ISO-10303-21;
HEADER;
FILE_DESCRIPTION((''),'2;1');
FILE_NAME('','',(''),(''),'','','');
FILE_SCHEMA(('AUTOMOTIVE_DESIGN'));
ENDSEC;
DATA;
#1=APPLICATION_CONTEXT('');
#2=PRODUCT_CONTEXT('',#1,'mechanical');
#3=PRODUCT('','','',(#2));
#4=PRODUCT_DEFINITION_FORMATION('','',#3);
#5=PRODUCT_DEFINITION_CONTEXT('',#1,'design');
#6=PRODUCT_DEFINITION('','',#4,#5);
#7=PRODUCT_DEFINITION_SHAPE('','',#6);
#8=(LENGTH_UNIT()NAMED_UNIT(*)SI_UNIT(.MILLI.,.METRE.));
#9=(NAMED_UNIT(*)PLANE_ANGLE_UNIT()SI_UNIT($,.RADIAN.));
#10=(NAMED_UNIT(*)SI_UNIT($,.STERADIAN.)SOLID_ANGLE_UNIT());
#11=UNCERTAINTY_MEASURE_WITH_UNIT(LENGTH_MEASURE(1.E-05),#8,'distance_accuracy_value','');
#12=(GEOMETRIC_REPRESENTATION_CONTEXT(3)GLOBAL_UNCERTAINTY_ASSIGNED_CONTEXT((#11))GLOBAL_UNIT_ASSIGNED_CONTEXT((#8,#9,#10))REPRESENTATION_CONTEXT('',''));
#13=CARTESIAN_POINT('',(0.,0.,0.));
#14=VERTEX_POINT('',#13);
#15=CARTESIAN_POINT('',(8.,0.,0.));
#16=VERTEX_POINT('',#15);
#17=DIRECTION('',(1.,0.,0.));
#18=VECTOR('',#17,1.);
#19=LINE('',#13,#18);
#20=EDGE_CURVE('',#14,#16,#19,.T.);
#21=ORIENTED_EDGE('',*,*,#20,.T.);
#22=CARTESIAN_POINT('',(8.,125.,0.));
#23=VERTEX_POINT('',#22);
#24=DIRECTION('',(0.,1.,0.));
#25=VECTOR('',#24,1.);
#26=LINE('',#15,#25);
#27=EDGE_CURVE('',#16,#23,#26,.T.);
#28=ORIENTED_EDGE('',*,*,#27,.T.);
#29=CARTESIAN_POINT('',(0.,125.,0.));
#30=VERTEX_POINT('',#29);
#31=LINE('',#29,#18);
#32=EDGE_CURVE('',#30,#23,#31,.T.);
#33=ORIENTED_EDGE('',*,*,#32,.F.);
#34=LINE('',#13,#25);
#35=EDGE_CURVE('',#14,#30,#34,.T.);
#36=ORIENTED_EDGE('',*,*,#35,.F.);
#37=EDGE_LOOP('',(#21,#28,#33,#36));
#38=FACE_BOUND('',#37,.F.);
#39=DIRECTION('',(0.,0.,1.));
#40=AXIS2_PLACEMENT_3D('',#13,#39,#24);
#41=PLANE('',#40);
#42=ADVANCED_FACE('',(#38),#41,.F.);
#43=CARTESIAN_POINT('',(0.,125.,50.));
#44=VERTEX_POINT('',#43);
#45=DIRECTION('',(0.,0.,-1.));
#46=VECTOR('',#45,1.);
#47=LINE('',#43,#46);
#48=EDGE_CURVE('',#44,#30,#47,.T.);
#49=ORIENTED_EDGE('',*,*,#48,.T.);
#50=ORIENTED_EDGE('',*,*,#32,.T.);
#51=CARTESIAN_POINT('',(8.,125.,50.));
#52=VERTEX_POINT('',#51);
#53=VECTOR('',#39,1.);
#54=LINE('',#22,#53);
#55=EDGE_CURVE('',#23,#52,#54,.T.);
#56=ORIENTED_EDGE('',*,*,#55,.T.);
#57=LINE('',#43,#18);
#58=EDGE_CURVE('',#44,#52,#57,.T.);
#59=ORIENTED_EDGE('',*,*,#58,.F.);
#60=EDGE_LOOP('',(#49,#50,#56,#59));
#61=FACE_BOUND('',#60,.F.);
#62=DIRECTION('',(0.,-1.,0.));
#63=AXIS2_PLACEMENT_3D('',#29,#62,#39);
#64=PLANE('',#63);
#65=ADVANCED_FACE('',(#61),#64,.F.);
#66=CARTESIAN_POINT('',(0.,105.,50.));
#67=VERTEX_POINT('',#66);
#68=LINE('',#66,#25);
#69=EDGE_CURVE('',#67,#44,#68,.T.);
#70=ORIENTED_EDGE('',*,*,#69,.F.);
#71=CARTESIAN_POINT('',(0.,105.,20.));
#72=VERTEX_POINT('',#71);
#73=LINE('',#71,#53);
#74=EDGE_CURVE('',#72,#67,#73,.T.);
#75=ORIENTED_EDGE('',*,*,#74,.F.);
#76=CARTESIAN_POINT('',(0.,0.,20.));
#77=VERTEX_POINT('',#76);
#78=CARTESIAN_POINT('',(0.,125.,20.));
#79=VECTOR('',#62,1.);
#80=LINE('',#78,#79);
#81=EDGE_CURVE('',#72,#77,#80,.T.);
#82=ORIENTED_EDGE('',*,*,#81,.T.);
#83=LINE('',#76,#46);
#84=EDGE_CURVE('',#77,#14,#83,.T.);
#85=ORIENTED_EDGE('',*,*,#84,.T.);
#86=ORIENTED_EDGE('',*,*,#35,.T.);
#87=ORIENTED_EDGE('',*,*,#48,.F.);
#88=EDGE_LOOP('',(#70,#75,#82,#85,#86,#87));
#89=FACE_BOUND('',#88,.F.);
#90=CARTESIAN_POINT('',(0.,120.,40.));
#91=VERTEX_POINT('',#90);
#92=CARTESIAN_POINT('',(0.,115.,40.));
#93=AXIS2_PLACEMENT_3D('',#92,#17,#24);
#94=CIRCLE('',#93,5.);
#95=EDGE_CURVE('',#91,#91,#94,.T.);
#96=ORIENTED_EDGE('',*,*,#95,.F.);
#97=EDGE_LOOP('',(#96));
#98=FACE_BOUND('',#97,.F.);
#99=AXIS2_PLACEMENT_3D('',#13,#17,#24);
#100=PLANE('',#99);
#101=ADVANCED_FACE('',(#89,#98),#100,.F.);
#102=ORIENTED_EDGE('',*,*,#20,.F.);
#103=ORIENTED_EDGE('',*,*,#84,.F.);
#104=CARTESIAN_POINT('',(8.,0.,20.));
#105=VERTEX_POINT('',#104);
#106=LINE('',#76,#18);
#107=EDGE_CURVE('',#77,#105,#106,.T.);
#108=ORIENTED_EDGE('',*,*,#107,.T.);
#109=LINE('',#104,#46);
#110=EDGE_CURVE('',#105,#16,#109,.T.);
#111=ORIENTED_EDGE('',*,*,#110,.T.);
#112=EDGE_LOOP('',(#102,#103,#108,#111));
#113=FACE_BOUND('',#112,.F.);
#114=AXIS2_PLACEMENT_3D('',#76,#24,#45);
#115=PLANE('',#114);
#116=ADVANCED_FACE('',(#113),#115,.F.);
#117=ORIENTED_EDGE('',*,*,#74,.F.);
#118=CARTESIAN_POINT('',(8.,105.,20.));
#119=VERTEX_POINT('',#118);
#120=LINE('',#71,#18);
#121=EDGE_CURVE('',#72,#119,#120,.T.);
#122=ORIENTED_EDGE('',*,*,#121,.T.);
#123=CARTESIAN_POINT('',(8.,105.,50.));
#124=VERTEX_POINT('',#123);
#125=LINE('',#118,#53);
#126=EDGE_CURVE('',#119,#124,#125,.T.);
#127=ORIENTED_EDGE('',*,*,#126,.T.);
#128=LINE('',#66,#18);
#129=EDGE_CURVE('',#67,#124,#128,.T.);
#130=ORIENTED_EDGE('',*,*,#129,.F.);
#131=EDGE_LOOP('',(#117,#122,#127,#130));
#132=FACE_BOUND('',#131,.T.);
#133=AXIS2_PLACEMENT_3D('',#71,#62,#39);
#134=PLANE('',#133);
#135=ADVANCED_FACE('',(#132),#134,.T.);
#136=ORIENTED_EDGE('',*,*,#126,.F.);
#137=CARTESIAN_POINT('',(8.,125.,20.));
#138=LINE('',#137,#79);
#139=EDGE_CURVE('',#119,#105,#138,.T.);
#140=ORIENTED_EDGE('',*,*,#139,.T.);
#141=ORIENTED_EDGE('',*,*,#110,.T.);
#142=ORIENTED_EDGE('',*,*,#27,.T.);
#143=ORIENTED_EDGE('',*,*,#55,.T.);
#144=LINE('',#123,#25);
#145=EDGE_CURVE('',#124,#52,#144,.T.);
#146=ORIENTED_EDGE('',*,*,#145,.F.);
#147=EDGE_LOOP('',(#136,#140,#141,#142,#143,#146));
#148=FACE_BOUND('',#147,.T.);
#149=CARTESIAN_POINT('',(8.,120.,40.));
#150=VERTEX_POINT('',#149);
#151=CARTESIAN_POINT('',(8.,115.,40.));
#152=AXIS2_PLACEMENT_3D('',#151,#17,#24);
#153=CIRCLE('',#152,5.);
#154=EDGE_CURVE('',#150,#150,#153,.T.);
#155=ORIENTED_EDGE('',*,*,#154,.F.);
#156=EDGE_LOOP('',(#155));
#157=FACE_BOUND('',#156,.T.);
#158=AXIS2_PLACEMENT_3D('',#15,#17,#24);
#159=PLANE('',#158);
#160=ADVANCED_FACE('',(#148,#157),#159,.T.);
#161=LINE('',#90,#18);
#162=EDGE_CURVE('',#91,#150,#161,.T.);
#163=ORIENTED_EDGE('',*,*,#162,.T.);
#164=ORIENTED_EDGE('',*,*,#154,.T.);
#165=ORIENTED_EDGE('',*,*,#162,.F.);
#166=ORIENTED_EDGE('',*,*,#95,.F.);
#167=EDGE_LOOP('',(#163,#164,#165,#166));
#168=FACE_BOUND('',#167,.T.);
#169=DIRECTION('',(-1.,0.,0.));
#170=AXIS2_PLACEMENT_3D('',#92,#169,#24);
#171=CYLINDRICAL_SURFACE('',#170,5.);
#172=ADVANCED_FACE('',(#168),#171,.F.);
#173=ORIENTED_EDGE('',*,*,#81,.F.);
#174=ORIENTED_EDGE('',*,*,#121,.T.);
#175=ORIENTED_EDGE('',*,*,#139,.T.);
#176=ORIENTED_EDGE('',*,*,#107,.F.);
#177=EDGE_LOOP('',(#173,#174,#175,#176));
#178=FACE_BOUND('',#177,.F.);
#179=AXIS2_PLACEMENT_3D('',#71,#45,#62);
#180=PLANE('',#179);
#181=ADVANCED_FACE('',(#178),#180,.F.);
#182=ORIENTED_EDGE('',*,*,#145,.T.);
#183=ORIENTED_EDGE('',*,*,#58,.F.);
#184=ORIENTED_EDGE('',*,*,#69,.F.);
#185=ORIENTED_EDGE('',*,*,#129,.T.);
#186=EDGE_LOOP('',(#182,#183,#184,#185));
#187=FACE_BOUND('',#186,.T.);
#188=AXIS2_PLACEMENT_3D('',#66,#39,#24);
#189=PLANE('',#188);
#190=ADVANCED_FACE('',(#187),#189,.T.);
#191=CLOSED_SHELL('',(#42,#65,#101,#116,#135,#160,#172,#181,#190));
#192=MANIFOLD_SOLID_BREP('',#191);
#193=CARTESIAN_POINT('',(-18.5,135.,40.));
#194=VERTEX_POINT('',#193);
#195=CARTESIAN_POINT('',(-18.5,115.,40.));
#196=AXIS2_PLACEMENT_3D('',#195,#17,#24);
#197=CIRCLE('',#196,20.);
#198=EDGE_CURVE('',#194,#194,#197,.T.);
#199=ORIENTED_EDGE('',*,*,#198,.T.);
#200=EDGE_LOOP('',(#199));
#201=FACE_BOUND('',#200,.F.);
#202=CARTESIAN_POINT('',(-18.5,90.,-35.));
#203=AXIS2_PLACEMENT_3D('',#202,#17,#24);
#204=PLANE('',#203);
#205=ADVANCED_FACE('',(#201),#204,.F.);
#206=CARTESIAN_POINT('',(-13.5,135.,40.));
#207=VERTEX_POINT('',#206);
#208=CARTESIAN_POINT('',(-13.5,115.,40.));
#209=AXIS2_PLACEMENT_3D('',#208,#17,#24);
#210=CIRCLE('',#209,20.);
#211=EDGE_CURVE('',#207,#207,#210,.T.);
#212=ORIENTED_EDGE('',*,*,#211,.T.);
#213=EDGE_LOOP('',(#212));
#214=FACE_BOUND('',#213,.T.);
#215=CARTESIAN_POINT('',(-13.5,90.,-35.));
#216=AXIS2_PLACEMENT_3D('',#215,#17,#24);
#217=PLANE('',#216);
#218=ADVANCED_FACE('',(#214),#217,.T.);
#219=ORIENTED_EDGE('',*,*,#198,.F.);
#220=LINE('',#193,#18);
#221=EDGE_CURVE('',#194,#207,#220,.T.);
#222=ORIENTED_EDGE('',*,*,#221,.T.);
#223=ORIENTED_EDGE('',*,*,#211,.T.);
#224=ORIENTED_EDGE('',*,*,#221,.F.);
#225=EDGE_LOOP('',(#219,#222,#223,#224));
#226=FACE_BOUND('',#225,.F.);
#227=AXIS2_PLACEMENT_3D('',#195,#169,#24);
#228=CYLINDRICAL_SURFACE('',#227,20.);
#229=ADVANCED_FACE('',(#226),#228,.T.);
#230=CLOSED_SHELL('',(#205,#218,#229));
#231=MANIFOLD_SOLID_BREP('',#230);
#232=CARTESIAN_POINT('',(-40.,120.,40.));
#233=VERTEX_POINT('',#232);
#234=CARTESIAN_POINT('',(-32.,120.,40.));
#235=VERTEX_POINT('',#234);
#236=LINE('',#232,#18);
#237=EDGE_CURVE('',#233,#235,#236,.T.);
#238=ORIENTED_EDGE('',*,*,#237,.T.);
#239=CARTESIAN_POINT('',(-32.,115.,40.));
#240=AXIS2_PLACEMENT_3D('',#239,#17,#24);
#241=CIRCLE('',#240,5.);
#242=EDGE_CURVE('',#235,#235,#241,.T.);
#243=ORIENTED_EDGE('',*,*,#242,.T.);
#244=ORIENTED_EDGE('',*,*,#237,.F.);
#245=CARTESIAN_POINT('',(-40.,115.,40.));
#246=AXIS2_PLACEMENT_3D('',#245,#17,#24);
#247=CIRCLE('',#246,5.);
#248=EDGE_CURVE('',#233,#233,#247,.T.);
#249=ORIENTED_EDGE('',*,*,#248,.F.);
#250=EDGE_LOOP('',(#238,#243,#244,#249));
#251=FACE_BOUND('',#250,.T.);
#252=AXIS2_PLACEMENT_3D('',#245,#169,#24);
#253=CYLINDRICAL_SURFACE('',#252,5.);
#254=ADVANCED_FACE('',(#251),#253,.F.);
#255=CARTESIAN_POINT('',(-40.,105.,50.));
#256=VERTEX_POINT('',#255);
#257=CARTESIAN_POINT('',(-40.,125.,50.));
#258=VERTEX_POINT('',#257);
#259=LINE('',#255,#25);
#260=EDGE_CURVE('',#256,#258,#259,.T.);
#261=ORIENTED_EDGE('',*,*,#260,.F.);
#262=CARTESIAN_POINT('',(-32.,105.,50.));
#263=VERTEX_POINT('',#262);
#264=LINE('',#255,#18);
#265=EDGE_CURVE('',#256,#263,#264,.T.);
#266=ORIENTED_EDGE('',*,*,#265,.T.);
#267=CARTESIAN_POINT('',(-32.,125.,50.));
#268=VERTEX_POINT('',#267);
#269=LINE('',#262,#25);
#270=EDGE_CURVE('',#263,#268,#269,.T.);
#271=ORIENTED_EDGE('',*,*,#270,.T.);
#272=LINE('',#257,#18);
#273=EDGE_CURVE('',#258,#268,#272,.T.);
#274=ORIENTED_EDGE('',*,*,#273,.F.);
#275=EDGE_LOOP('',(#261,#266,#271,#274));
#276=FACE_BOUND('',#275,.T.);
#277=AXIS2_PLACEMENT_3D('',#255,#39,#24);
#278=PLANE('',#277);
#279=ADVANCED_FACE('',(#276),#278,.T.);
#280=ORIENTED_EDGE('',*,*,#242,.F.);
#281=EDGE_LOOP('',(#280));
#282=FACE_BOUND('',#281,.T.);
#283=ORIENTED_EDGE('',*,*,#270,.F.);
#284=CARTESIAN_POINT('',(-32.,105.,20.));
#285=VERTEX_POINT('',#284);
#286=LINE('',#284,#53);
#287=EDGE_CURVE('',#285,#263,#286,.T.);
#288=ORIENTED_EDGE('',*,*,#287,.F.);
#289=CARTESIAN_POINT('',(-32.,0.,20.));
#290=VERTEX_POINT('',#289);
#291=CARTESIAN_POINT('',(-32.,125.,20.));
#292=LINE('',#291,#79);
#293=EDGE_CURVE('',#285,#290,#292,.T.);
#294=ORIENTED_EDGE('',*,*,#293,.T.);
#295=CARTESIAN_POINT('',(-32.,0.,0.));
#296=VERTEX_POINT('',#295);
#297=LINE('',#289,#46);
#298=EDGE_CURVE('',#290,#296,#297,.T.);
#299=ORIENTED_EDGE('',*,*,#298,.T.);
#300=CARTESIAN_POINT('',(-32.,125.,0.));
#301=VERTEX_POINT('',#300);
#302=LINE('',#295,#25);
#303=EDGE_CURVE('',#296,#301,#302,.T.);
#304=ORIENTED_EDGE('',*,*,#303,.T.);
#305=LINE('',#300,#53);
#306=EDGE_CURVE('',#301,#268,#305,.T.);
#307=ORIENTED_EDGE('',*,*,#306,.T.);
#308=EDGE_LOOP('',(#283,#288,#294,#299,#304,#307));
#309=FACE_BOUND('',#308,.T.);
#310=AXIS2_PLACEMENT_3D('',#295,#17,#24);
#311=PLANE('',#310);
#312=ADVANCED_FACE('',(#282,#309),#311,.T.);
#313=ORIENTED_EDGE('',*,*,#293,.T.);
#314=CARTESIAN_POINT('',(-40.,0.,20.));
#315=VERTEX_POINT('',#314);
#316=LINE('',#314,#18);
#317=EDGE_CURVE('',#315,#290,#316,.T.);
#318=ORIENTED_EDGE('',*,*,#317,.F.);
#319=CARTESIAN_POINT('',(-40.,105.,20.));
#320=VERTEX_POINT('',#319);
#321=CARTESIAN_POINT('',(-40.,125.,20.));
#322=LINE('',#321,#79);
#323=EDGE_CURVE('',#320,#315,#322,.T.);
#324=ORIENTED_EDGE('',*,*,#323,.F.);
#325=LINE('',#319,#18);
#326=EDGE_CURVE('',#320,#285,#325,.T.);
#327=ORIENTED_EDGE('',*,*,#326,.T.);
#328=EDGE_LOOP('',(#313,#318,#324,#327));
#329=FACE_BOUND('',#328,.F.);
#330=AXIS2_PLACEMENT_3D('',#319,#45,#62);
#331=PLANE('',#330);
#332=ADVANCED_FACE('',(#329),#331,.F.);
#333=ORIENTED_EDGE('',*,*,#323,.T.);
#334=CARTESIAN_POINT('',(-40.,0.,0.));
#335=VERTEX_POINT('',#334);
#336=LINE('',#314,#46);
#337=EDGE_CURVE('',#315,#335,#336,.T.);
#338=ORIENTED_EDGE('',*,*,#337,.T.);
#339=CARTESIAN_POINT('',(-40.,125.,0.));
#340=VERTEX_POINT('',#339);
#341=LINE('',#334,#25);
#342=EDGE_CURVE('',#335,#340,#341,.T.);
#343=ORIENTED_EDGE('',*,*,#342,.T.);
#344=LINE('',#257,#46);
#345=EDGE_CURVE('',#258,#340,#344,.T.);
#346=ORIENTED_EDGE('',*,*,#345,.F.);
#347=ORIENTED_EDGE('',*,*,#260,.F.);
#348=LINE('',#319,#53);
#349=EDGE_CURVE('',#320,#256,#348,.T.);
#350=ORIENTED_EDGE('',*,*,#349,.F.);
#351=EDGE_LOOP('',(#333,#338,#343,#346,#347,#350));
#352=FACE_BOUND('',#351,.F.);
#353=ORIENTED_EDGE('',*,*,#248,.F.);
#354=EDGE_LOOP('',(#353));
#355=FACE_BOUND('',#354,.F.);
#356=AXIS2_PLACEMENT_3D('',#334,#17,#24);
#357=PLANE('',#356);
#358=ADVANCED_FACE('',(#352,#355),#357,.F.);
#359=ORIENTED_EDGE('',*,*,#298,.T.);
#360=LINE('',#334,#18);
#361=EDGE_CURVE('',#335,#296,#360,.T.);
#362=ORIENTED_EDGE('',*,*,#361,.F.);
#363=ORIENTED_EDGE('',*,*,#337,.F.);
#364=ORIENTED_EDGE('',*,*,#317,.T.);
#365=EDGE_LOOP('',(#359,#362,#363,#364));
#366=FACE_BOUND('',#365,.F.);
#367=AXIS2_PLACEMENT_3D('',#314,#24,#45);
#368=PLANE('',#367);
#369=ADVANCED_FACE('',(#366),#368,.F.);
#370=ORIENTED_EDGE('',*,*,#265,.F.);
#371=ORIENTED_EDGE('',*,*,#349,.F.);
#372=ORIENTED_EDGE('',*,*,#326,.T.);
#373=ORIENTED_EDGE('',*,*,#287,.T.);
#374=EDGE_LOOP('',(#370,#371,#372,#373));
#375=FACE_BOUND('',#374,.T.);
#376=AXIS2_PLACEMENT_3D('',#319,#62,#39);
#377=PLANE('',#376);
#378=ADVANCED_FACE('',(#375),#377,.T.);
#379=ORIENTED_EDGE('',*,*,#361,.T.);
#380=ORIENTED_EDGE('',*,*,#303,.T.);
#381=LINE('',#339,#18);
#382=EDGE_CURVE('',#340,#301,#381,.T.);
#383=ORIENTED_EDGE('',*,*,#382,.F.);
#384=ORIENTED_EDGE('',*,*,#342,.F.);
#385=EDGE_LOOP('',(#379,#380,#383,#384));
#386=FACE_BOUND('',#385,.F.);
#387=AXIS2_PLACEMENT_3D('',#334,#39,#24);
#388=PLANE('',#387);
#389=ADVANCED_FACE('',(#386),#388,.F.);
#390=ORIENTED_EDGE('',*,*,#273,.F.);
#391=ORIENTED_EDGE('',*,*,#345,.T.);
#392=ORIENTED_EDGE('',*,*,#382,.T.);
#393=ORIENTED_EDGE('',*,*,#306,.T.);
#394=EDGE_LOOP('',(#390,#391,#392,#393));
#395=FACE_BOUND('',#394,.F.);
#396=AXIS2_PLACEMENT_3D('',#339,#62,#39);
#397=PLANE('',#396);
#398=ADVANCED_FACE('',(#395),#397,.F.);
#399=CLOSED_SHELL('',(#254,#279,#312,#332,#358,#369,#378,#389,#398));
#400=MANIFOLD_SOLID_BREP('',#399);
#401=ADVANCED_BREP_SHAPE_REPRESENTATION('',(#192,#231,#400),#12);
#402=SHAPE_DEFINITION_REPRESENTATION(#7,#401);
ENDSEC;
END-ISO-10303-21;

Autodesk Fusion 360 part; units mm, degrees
sketch "Sketch1" plane through (0, 0, 0) normal (1, 0, 0) x (0, 1, 0) in component "L-bar"
  line L0 (0, 0) -> (125, 0)
  line L1 (125, 0) -> (125, 20)
  line L2 (125, 20) -> (0, 20)
  line L3 (0, 20) -> (0, 0)
  line L4 (125, 20) -> (105, 20)
  line L5 (105, 20) -> (105, 50)
  line L6 (105, 50) -> (125, 50)
  line L7 (125, 50) -> (125, 20)
  circle A0 centre (115, 40) radius 5
extrude "Extrude1" add sketch "Sketch1" along normal blind 8 makes body 1 in component "L-bar"
sketch "Sketch1 (2)" plane through (8, 0, 0) normal (1, 0, 0) x (0, 1, 0) in component "disk"
  circle A0 centre (115, 40) radius 5
  line L0 (105, 20) -> (0, 20)
  line L1 (0, 20) -> (0, 0)
  line L2 (0, 0) -> (125, 0)
  line L3 (125, 0) -> (125, 50)
  line L4 (125, 50) -> (105, 50)
  line L5 (105, 50) -> (105, 20)
  circle A1 centre (25, 75) radius 20
extrude "Extrude1'" add sketch "Sketch1 (2)" along normal blind 5 separate body contours A1 makes body 2 in component "disk"
component "L-bar" placed x (1, 0, 0) y (0, 1, 0) z (0, 0, 1) at (0, 0, 0)
component "L-bar" placed x (1, 0, 0) y (0, 1, 0) z (0, 0, 1) at (-40, 0, 0)
component "disk" placed x (1, 0, 0) y (0, 1, 0) z (0, 0, 1) at (-26.5, 90, -35)
